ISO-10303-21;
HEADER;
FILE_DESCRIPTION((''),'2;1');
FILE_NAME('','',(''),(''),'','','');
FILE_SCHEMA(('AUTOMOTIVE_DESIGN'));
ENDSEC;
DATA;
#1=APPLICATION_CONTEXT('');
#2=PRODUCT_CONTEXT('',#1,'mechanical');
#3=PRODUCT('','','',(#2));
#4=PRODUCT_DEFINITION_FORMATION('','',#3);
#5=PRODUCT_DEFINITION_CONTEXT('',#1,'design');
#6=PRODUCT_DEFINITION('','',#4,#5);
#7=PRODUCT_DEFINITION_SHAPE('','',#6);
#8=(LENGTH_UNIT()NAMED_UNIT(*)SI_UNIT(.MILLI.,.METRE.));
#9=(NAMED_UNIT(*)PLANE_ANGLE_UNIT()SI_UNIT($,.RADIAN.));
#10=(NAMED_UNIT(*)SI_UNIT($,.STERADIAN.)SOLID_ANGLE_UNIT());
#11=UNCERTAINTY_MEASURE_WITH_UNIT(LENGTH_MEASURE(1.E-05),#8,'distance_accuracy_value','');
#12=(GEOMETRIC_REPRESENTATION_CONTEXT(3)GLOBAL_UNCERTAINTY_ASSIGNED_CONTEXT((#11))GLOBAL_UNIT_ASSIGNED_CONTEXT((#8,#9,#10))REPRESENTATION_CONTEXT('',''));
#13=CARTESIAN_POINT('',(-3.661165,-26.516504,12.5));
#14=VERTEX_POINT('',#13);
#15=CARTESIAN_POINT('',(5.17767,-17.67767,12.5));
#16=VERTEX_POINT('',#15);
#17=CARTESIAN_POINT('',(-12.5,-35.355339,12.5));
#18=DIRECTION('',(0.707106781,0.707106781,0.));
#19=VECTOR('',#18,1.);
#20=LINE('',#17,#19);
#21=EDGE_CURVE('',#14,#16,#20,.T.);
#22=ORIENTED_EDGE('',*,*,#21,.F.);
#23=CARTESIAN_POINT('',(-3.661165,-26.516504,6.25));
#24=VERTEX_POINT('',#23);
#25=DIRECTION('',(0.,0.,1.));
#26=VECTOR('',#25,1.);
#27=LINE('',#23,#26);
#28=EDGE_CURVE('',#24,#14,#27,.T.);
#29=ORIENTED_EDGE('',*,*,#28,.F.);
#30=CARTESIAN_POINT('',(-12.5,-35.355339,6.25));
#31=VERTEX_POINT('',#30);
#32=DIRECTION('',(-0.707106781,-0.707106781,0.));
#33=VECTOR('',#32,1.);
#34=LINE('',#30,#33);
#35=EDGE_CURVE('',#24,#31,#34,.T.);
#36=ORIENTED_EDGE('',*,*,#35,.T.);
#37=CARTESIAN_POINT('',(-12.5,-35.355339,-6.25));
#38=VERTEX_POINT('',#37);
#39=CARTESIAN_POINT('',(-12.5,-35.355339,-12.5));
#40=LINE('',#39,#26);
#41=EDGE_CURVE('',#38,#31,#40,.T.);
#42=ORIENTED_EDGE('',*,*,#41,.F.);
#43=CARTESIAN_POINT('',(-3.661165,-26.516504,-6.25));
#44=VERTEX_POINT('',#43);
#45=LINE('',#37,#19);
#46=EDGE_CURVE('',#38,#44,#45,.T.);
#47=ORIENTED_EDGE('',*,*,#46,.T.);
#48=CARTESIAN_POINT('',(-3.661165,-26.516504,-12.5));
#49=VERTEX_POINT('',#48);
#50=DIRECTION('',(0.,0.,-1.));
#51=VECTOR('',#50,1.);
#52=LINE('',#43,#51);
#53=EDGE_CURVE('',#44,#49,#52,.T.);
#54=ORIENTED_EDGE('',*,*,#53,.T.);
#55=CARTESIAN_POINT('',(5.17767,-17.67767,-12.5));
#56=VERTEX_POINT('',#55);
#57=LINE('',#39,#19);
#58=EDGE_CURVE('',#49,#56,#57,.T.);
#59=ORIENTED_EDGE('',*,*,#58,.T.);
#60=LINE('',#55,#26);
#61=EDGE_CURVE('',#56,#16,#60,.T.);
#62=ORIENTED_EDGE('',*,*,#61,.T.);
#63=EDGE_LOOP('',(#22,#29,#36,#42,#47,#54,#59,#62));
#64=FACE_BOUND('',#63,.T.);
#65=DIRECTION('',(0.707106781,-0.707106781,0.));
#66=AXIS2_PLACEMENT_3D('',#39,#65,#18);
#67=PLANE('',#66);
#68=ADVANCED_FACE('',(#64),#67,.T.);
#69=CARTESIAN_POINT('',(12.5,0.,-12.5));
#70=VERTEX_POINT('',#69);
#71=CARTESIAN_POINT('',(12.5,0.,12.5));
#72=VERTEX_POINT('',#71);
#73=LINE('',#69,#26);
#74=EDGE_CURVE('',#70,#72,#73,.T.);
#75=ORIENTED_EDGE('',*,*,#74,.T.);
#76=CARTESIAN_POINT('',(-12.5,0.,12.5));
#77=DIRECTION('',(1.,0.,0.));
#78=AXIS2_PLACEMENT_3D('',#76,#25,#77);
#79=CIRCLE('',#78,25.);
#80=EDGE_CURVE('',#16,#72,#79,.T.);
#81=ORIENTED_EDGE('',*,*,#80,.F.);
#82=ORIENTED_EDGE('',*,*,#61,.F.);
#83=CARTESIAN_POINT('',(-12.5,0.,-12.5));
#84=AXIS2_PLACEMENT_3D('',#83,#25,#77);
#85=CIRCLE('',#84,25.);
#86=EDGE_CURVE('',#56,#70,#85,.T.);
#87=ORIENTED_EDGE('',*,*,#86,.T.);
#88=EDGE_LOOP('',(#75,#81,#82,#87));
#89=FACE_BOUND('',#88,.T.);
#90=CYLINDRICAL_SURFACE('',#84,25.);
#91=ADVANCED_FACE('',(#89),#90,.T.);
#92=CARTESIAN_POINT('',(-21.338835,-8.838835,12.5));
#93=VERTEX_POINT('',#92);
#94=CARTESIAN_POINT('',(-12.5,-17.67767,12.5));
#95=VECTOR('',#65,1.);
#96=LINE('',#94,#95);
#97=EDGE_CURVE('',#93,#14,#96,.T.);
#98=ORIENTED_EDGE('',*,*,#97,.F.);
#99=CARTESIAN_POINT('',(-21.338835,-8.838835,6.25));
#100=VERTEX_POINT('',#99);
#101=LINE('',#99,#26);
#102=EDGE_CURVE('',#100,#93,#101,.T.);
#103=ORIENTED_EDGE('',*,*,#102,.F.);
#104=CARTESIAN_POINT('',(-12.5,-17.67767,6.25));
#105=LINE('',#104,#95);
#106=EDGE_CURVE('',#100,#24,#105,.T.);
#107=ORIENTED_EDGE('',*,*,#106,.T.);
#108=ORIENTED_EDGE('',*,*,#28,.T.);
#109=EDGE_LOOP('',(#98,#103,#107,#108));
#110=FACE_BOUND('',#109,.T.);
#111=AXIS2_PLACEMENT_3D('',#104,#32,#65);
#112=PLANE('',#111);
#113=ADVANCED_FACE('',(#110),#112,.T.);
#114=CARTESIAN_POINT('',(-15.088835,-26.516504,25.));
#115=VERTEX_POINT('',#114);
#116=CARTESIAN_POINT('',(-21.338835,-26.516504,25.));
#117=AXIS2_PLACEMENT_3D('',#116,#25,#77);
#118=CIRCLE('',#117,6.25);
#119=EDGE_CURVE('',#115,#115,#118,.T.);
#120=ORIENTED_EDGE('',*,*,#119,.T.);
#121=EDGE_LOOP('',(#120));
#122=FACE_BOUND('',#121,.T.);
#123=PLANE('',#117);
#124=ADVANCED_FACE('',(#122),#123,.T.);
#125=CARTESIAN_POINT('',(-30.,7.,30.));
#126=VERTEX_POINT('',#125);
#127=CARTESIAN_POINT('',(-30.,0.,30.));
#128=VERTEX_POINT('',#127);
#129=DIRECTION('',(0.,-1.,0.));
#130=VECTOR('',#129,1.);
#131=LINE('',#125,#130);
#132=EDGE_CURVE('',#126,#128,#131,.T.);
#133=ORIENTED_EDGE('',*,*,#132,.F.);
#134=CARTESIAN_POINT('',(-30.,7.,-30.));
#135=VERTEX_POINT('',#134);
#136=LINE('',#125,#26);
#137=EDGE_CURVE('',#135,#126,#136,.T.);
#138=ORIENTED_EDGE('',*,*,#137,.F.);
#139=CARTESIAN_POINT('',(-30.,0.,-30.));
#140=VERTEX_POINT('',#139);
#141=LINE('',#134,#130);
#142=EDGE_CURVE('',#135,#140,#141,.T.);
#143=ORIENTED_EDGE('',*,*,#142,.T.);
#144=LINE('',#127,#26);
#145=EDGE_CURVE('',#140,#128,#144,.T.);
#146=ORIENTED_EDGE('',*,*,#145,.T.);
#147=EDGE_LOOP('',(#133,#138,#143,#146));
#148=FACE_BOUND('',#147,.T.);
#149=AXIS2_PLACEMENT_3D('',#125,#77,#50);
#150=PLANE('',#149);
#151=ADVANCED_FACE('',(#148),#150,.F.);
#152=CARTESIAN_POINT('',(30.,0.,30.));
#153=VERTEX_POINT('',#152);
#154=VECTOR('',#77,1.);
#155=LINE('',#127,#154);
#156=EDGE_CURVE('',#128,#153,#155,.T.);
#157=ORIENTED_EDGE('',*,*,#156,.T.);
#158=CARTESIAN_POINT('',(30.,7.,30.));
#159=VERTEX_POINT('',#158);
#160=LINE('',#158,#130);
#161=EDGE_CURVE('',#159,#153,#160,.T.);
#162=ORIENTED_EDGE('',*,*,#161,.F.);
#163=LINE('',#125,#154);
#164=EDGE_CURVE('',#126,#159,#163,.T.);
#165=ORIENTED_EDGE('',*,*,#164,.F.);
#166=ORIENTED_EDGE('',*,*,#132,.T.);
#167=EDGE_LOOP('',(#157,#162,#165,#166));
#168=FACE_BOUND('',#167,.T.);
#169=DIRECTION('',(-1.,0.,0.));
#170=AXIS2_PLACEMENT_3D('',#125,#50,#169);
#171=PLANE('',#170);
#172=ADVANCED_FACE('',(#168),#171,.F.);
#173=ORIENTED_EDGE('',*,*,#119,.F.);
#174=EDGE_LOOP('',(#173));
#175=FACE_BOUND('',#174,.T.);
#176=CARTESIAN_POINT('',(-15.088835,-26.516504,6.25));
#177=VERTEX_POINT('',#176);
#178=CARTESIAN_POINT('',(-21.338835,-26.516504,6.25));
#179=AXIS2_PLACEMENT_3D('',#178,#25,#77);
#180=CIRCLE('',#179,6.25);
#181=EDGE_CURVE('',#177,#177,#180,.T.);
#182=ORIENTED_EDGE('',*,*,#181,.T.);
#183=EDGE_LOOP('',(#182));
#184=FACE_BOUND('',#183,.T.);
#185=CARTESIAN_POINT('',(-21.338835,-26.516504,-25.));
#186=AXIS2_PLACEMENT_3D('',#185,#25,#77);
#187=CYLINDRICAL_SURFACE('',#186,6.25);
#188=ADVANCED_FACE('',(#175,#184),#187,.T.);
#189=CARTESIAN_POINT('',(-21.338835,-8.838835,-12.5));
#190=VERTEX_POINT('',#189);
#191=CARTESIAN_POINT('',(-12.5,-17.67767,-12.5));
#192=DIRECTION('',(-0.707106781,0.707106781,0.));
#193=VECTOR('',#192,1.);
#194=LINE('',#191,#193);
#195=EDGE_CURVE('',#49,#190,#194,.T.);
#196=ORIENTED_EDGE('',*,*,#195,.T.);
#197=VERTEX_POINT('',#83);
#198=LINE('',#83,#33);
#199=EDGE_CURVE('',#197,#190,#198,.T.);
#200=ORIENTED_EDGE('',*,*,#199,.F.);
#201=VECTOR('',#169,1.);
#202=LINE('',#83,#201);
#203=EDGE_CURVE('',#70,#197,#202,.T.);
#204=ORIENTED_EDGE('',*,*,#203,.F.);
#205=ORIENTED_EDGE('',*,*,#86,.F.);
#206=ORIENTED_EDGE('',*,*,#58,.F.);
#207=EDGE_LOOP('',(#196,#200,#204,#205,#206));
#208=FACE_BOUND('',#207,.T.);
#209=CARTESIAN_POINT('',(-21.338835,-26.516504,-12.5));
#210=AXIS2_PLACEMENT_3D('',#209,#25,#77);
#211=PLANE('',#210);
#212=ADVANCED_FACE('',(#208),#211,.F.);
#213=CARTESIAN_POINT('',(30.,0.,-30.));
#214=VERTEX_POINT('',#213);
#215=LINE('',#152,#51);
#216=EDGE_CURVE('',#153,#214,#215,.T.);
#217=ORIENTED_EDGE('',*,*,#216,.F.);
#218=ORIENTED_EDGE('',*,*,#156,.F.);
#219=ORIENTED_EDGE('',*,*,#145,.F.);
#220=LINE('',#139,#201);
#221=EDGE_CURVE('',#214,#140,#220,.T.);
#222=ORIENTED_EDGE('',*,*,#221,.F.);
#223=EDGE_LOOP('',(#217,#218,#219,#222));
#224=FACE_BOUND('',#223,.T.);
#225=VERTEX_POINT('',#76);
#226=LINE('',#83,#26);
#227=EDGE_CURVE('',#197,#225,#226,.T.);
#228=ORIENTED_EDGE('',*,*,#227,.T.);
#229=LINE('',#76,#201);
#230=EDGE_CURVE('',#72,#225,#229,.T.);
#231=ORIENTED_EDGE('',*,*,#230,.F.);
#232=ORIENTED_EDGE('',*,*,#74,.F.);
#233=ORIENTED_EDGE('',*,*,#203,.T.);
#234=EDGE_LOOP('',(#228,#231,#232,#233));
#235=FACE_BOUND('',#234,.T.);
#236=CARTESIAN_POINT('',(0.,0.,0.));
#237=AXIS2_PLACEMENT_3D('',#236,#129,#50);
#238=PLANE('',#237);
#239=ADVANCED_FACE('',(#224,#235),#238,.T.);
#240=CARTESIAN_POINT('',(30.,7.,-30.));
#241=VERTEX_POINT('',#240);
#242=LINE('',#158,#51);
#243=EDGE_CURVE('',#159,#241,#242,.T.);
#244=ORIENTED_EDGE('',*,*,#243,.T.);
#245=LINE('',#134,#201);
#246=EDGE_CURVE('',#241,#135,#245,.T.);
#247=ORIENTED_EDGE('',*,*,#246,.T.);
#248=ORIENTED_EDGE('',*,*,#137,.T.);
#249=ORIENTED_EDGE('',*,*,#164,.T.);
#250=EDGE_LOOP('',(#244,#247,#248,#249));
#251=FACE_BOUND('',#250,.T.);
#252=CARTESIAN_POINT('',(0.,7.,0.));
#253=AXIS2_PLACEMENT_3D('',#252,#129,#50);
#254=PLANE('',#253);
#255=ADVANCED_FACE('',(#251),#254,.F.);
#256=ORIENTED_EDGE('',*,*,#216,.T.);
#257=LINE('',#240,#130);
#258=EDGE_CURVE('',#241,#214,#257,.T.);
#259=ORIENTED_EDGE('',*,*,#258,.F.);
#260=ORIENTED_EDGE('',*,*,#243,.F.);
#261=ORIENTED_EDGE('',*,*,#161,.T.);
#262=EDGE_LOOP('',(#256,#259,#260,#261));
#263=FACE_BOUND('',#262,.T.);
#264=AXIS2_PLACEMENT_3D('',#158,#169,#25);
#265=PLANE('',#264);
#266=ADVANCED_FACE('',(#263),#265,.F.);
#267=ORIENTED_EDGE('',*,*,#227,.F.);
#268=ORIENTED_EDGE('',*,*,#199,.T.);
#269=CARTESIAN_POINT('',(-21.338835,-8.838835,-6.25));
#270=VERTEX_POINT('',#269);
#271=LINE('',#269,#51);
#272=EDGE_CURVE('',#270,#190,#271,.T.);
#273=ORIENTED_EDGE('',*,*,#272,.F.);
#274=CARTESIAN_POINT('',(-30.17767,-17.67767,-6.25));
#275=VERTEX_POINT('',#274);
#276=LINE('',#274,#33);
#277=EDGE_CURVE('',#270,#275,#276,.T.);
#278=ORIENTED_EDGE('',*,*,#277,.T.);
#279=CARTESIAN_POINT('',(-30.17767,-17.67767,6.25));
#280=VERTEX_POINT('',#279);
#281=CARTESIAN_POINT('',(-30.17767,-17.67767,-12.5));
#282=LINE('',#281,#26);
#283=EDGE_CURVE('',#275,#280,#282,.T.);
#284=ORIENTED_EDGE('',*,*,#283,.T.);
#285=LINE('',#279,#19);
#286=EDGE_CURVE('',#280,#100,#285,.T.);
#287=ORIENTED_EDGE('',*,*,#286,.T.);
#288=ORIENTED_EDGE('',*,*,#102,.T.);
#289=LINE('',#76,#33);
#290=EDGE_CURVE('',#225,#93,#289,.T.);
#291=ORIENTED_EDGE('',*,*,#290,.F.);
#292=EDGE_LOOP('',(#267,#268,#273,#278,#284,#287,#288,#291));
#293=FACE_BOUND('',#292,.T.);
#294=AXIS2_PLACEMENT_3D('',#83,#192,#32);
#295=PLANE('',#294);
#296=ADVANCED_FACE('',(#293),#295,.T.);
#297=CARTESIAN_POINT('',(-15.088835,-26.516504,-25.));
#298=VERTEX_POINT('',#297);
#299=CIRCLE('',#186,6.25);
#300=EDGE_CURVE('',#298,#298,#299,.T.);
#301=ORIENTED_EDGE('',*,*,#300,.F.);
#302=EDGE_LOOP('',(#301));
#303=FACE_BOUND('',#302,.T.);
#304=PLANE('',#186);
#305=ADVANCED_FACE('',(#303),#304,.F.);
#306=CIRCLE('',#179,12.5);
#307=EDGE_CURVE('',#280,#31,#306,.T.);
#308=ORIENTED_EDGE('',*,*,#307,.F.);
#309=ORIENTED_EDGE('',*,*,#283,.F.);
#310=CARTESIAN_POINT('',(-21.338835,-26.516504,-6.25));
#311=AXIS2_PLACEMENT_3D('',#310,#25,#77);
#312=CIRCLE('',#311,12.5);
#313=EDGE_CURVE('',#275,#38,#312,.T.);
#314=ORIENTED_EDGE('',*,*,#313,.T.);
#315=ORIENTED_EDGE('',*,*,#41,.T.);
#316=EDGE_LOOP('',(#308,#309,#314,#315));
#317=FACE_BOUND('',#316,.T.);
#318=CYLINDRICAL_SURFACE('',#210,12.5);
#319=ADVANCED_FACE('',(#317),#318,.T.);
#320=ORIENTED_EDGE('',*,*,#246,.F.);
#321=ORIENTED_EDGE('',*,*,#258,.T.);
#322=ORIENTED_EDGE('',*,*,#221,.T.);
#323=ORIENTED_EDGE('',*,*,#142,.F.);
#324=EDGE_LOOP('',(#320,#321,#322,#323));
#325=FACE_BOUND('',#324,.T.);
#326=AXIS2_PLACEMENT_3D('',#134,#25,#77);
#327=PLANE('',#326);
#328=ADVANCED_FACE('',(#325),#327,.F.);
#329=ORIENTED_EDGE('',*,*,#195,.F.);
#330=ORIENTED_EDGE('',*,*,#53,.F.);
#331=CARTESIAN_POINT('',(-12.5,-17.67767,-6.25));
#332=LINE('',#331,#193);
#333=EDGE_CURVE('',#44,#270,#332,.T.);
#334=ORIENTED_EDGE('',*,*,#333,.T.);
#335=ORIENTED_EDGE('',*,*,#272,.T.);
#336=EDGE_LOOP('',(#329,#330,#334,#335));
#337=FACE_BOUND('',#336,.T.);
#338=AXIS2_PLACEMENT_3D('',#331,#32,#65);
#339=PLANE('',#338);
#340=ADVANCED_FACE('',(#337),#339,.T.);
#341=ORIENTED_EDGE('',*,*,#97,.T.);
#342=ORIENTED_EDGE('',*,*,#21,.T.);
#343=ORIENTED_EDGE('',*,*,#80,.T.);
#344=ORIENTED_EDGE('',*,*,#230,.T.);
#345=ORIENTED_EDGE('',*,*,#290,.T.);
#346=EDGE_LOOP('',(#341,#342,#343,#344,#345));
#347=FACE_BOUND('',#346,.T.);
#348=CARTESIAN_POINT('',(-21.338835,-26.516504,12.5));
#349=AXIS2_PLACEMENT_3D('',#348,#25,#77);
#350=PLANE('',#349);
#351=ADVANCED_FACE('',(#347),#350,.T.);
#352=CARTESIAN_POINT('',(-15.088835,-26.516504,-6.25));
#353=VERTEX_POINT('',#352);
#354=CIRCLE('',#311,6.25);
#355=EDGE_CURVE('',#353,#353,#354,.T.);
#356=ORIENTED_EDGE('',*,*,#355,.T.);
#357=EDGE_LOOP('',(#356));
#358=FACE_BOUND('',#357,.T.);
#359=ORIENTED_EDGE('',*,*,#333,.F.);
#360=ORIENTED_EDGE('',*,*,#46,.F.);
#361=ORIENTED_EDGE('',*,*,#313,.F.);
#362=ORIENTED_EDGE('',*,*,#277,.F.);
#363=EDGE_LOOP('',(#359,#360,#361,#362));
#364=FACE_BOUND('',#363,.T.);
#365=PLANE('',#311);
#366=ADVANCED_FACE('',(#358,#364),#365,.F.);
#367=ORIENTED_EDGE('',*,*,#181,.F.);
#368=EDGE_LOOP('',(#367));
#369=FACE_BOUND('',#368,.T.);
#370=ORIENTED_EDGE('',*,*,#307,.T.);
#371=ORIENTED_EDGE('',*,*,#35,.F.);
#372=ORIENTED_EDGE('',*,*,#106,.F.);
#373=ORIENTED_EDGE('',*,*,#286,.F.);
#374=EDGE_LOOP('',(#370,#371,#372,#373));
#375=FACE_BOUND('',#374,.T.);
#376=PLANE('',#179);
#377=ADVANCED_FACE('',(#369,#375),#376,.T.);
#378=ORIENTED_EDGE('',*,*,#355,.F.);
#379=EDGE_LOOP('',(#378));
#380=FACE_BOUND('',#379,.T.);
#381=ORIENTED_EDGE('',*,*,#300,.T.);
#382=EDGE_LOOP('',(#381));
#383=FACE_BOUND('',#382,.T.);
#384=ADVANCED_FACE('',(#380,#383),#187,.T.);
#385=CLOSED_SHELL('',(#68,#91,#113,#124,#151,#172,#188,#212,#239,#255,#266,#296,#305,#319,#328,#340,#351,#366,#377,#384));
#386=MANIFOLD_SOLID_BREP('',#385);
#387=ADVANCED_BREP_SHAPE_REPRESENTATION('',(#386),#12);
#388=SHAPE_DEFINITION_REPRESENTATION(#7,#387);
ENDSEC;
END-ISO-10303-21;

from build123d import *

# Parameters (mm, degrees)
SKETCH_1_W           = 60
SKETCH_1_H           = 60
EXTRUDE_1_DEPTH      = 7
EXTRUDE_2_DEPTH      = 12.5
EXTRUDE_2_DEPTH_BACK = 12.5
CUT_EXTRUDE_START    = -12.5
CUT_EXTRUDE_1_DEPTH  = 6.25
CUT_EXTRUDE_START_2  = 6.25
CUT_EXTRUDE_2_DEPTH  = 6.25
EXTRUDE_3_DEPTH      = 25
EXTRUDE_3_DEPTH_BACK = 25
SKETCH_5_R           = 6.25


with BuildPart() as part:
    # 草图1 → 凸台-拉伸1 (new body)
    with BuildSketch(Plane(origin=(0, 0, 0), x_dir=(1, 0, 0), z_dir=(0, 1, 0))):
        Rectangle(SKETCH_1_W, SKETCH_1_H)
    extrude(amount=EXTRUDE_1_DEPTH)

    # 草图2 → 凸台-拉伸2 (add, two sides: drawn at the far end of the back side and taken through both)
    with BuildSketch(Plane.XY.offset(-EXTRUDE_2_DEPTH_BACK)):
        with BuildLine():
            Line((-12.5, 0), (12.5, 0))
            ThreePointArc((12.5, 0), (10.596988313, -9.567085809), (5.17766953, -17.67766953))
            Line((5.17766953, -17.67766953), (-12.5, -35.355339059))
            ThreePointArc((-12.5, -35.355339059), (-30.17766953, -35.355339059), (-30.17766953, -17.67766953))
            Line((-30.17766953, -17.67766953), (-12.5, 0))
        make_face()
    extrude(amount=EXTRUDE_2_DEPTH + EXTRUDE_2_DEPTH_BACK)

    # 草图3 → 切除-拉伸1 (cut)
    with BuildSketch(Plane.XY.offset(CUT_EXTRUDE_START)):
        with BuildLine():
            Line((-21.338834765, -8.838834765), (-3.661165235, -26.516504294))
            Line((-3.661165235, -26.516504294), (-12.5, -35.355339059))
            ThreePointArc((-12.5, -35.355339059), (-30.17766953, -35.355339059), (-30.17766953, -17.67766953))
            Line((-30.17766953, -17.67766953), (-21.338834765, -8.838834765))
        make_face()
    extrude(amount=CUT_EXTRUDE_1_DEPTH, mode=Mode.SUBTRACT)

    # 草图4 → 切除-拉伸2 (cut)
    with BuildSketch(Plane.XY.offset(CUT_EXTRUDE_START_2)):
        with BuildLine():
            Line((-3.661165235, -26.516504294), (-21.338834765, -8.838834765))
            Line((-21.338834765, -8.838834765), (-30.17766953, -17.67766953))
            ThreePointArc((-30.17766953, -17.67766953), (-30.17766953, -35.355339059), (-12.5, -35.355339059))
            Line((-12.5, -35.355339059), (-3.661165235, -26.516504294))
        make_face()
    extrude(amount=CUT_EXTRUDE_2_DEPTH, mode=Mode.SUBTRACT)

    # 草图5 → 凸台-拉伸3 (add, two sides: drawn at the far end of the back side and taken through both)
    with BuildSketch(Plane.XY.offset(-EXTRUDE_3_DEPTH_BACK)):
        with Locations((-21.338834765, -26.516504294)):
            Circle(SKETCH_5_R)
    extrude(amount=EXTRUDE_3_DEPTH + EXTRUDE_3_DEPTH_BACK)


solid = part.part
